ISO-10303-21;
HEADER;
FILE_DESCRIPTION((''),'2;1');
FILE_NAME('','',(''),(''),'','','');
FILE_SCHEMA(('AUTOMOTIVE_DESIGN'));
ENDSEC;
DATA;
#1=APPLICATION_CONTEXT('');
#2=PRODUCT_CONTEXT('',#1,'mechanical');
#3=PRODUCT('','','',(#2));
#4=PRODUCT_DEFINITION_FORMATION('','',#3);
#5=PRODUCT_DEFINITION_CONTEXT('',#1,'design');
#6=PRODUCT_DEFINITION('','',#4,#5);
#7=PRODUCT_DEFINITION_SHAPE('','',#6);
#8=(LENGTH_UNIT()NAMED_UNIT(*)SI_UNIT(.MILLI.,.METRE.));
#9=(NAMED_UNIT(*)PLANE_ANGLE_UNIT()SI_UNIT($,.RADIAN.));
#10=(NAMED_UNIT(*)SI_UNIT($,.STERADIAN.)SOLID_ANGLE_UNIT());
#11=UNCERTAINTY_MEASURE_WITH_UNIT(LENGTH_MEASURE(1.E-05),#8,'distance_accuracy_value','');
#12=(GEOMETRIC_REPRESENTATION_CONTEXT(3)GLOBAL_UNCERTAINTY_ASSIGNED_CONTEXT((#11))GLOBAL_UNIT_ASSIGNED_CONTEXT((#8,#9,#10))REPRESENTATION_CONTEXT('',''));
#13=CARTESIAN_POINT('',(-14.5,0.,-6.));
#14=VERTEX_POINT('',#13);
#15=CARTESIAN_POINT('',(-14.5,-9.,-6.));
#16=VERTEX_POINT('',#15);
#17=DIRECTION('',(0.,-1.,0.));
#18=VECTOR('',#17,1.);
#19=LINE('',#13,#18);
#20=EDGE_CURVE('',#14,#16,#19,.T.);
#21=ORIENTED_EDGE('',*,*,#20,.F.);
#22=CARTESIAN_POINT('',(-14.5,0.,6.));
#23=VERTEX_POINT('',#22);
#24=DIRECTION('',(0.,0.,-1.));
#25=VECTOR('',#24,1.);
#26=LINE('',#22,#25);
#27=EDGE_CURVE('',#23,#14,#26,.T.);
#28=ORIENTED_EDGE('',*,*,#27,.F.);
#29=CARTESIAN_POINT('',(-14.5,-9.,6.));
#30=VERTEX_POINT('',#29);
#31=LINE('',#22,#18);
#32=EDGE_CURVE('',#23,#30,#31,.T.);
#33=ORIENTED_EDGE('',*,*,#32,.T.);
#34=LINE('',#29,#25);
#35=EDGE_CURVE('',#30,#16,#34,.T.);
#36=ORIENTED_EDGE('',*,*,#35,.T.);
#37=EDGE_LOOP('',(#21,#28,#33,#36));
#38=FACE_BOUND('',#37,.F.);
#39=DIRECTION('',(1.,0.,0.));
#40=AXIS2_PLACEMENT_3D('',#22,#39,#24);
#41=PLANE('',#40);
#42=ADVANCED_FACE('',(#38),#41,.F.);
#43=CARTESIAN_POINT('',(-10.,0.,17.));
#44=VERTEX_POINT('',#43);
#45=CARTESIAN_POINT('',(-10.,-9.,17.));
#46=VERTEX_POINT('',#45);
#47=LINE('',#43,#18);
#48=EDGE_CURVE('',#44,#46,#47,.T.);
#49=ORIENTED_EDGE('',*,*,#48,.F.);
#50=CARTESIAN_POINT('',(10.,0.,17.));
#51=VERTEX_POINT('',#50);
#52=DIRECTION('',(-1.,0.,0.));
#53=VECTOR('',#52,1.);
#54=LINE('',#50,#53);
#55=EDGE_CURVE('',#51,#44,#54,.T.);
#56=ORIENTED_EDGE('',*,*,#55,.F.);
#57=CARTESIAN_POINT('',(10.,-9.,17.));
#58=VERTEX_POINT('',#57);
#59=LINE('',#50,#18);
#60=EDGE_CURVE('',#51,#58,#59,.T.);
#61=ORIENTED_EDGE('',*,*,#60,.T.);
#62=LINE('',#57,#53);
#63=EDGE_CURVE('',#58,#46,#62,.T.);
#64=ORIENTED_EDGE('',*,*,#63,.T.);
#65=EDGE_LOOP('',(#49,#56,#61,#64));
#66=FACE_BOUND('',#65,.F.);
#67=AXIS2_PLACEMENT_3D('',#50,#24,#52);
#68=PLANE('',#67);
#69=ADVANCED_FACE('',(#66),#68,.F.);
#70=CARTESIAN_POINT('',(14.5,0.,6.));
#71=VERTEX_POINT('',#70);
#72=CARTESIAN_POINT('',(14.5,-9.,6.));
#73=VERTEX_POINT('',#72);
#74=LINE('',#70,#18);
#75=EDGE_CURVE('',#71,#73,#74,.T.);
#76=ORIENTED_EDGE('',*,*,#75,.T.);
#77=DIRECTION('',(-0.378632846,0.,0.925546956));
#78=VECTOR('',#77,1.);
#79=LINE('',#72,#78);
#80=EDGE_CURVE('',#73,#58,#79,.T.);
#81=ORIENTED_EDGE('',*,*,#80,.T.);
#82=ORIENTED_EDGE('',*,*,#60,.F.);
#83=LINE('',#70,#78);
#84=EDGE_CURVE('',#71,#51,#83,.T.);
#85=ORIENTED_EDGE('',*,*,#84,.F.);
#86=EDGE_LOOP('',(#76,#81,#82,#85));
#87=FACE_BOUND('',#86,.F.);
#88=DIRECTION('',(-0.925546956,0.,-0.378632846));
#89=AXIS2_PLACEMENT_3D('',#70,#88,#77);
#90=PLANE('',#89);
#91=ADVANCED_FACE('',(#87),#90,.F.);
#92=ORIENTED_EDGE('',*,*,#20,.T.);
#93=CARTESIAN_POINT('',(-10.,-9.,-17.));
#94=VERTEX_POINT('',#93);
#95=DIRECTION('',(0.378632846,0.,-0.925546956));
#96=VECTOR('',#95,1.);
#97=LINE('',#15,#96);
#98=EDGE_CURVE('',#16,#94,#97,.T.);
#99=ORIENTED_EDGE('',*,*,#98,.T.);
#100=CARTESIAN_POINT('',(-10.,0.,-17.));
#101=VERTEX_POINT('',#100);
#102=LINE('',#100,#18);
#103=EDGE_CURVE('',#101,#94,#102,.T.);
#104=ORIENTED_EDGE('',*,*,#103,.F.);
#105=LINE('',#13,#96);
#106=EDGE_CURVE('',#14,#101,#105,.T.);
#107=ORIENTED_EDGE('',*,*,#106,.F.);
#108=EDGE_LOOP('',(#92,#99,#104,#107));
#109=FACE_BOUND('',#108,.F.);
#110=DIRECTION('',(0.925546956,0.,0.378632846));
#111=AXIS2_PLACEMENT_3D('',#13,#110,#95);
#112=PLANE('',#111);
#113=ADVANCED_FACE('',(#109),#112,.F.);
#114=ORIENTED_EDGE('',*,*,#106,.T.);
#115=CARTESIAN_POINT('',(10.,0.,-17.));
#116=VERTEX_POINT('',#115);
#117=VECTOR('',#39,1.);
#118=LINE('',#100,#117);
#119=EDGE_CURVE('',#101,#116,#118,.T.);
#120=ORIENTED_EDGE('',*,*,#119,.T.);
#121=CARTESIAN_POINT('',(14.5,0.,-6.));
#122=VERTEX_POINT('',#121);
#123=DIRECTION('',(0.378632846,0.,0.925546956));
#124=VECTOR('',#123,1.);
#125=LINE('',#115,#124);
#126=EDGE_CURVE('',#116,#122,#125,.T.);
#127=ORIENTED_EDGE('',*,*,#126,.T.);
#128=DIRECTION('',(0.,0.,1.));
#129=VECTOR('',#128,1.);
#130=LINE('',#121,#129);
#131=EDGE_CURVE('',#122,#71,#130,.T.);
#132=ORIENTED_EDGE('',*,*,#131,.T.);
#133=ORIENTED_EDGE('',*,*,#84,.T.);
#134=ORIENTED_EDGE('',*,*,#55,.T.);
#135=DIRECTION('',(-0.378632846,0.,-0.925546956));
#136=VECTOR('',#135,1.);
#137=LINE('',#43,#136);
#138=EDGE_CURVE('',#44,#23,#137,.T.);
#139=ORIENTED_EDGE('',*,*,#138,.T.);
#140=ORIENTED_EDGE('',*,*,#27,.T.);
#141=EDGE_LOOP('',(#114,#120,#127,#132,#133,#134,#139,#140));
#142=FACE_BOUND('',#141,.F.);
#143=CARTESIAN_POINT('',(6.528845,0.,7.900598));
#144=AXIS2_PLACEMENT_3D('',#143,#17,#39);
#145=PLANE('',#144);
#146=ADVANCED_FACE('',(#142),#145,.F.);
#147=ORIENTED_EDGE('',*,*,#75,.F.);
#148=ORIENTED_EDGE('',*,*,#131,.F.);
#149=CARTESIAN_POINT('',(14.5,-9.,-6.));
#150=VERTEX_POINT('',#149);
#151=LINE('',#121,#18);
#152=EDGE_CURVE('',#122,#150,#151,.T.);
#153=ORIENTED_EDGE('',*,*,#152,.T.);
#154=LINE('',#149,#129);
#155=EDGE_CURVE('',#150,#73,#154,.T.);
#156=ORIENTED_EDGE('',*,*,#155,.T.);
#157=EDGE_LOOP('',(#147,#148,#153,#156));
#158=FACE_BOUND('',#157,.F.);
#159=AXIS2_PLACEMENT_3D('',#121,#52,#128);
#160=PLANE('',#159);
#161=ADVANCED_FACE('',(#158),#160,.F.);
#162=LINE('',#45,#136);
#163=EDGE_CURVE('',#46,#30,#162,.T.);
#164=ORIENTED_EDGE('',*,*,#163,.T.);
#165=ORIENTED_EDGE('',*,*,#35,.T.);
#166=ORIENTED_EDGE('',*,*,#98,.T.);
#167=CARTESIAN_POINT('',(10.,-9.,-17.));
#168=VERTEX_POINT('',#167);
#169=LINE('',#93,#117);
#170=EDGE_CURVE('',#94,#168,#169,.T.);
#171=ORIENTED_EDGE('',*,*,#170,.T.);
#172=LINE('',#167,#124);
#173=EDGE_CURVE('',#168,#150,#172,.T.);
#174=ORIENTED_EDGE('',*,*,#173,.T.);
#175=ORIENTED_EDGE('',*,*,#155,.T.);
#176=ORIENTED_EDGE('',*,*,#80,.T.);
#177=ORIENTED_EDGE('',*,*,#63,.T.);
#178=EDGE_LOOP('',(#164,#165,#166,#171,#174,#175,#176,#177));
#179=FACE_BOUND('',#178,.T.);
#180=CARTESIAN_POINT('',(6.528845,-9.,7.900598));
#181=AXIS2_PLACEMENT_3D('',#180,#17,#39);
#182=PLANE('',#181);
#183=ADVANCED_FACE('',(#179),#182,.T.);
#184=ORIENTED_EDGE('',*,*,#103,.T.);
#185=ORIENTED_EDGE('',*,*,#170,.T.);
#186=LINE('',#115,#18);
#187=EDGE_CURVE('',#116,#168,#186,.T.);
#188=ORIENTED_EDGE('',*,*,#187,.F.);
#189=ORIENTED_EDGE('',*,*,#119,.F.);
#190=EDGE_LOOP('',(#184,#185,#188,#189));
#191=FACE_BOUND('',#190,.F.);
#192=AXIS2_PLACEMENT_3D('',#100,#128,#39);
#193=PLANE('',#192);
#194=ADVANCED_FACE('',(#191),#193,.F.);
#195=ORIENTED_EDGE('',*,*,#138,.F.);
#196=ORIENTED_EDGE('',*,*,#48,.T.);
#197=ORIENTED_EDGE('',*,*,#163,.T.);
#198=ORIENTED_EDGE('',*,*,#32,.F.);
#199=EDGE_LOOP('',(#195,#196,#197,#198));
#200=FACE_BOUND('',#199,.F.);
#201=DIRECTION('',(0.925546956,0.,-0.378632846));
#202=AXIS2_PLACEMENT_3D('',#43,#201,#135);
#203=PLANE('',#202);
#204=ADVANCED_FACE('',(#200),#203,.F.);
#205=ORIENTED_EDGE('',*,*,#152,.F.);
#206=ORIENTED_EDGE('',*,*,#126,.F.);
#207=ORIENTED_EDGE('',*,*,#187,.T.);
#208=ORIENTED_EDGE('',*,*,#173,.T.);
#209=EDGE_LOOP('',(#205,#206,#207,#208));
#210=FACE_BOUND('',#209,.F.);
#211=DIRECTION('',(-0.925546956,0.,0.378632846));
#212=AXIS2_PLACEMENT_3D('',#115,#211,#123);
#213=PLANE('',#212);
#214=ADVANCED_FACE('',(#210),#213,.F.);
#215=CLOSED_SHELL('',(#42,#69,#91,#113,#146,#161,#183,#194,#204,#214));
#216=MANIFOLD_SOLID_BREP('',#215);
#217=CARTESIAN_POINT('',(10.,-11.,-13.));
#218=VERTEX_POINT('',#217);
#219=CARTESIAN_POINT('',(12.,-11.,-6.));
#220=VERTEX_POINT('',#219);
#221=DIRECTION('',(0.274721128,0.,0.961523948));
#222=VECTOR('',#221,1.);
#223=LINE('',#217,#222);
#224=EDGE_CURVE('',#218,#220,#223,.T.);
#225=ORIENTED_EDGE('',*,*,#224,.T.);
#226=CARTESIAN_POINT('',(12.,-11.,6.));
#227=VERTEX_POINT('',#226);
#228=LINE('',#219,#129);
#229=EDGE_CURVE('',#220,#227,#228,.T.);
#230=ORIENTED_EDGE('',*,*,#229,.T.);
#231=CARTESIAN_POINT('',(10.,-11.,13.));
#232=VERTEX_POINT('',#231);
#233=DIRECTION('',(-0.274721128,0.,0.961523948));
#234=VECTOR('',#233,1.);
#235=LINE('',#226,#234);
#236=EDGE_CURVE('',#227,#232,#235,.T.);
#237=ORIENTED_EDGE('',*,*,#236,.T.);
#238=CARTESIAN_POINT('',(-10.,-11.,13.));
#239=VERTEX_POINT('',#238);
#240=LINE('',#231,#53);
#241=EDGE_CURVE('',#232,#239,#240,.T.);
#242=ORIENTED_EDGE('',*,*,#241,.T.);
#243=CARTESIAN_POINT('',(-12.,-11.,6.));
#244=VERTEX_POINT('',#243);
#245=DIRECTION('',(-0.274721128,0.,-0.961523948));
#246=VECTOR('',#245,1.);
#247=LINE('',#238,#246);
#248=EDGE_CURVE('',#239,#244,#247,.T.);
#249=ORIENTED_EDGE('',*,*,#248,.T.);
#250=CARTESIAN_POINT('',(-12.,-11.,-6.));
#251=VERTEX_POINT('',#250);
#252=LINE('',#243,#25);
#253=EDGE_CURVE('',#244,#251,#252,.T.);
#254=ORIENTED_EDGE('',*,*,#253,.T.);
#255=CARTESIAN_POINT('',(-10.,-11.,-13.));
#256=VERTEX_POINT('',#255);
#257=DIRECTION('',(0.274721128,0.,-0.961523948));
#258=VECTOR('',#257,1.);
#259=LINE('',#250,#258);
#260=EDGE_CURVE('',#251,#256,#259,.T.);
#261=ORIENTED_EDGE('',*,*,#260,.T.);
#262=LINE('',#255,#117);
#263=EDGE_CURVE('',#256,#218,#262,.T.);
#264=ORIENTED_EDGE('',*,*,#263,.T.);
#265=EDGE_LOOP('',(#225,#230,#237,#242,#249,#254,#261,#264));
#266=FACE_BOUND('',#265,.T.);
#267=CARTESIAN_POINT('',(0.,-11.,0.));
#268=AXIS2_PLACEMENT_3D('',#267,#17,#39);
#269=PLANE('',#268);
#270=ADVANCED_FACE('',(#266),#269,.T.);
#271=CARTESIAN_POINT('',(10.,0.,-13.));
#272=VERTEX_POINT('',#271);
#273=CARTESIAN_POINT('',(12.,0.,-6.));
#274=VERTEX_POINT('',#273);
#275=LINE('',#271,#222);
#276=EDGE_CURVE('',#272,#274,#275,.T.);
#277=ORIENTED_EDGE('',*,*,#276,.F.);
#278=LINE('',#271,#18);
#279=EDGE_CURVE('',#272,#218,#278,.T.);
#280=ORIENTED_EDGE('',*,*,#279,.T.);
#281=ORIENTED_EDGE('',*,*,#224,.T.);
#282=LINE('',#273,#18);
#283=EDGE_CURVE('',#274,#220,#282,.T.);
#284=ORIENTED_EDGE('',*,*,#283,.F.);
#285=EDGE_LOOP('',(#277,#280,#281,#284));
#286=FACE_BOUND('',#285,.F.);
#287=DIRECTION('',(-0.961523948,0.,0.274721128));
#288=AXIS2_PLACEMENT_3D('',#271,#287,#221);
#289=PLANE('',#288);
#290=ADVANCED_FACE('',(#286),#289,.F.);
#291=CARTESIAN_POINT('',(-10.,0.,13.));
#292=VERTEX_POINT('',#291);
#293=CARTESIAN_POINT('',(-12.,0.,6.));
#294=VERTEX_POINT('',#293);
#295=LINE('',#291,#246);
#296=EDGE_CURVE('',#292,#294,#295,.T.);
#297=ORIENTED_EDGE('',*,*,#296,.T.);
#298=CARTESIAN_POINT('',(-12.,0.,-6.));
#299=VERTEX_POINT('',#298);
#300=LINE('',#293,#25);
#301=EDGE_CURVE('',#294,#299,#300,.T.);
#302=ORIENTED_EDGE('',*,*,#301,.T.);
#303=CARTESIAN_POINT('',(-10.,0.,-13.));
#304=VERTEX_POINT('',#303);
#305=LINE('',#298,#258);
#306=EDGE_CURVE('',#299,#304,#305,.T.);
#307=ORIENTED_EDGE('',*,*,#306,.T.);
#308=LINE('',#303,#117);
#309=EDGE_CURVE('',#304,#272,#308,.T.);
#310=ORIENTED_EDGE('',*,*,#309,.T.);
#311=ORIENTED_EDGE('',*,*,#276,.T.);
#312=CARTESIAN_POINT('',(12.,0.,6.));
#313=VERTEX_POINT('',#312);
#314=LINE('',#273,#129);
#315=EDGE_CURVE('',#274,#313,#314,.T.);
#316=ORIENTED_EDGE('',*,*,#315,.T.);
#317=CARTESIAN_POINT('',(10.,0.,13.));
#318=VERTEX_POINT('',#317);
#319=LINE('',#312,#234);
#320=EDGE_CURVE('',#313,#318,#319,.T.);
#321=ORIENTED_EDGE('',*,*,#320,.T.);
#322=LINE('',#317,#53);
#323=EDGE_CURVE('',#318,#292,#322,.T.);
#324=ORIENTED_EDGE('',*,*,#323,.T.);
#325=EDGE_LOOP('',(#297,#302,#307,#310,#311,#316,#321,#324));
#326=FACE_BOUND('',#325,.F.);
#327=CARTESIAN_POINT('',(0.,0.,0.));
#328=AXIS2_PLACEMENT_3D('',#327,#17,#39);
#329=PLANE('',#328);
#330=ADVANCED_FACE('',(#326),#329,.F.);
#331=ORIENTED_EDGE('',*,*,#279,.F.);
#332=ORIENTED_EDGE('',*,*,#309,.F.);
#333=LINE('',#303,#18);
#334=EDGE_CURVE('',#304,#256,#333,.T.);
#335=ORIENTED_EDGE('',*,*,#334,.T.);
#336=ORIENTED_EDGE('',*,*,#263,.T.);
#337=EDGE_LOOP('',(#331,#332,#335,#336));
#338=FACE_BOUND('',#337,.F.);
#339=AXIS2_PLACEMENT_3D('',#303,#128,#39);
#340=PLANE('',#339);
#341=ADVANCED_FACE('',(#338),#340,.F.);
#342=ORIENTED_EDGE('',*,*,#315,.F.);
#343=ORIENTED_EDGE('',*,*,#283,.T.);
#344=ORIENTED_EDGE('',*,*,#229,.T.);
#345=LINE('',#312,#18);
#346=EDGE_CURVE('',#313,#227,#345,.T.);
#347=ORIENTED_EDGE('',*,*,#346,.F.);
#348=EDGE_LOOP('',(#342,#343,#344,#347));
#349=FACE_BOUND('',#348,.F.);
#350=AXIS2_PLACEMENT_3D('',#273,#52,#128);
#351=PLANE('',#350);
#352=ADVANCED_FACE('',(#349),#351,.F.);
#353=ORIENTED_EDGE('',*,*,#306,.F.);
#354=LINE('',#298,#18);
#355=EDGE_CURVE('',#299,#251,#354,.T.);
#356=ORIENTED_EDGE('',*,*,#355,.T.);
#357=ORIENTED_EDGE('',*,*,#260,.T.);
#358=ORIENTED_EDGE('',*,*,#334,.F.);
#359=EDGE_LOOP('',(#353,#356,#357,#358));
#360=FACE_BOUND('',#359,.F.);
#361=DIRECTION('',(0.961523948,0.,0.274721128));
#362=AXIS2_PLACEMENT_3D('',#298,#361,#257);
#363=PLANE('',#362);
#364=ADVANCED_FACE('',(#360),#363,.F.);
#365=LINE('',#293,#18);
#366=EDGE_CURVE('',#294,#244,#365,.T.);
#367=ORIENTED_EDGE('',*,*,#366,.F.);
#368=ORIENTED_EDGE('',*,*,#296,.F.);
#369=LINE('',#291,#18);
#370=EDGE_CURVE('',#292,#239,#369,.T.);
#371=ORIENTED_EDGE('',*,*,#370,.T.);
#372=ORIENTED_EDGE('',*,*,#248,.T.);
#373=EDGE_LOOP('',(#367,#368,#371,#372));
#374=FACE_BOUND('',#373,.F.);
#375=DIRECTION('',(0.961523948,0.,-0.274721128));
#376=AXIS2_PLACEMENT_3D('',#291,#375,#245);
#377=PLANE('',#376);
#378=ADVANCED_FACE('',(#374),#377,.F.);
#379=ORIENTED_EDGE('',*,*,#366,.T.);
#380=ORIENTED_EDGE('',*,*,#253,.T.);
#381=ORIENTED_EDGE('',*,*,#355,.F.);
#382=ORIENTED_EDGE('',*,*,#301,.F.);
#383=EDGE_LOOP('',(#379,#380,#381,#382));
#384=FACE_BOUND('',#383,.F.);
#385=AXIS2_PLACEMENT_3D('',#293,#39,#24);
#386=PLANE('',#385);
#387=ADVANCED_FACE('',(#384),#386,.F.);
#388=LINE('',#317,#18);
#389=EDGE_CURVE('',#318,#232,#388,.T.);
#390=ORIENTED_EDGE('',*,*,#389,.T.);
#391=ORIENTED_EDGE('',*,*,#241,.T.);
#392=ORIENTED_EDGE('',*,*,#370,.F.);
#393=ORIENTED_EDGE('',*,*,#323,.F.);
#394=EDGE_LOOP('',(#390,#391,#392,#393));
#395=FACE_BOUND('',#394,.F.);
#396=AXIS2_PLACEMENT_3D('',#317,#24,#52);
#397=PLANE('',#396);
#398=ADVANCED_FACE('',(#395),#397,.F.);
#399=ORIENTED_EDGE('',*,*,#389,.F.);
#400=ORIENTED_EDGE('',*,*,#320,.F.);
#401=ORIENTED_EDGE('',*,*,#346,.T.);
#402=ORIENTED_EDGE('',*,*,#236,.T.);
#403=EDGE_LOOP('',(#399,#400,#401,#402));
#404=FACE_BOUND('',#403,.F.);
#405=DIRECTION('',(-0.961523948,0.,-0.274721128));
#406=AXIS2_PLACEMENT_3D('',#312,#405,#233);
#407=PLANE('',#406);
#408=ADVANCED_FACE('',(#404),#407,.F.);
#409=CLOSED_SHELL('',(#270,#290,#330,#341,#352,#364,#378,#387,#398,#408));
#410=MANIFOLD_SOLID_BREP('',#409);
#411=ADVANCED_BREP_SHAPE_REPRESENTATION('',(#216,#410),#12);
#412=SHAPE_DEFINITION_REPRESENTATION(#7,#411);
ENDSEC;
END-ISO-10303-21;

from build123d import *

# Parameters (mm, degrees)
F1_DEPTH = 9
F3_DEPTH = 11


with BuildPart() as f1:
    # F0 (on Front) → F1 (new body)
    with BuildSketch(Plane.XZ):
        Polygon((10, 17), (0, 17), (0, 0), (14.5, 0), (14.5, 6), align=None)
        Polygon((0, 0), (0, 17), (-10, 17), (-14.5, 6), (-14.5, 0), align=None)
        Polygon((14.5, 0), (0, 0), (0, -17), (10, -17), (14.5, -6), align=None)
        Polygon((0, -17), (0, 0), (-14.5, 0), (-14.5, -6), (-10, -17), align=None)
    extrude(amount=F1_DEPTH)


with BuildPart() as f3:
    # F2 (on Front) → F3 (new body)
    with BuildSketch(Plane.XZ):
        Polygon((-10, 13), (-12, 6), (-12, -6), (-10, -13), (10, -13), (12, -6), (12, 6), (10, 13), align=None)
    extrude(amount=F3_DEPTH)


solid = Compound([f1.part, f3.part])
